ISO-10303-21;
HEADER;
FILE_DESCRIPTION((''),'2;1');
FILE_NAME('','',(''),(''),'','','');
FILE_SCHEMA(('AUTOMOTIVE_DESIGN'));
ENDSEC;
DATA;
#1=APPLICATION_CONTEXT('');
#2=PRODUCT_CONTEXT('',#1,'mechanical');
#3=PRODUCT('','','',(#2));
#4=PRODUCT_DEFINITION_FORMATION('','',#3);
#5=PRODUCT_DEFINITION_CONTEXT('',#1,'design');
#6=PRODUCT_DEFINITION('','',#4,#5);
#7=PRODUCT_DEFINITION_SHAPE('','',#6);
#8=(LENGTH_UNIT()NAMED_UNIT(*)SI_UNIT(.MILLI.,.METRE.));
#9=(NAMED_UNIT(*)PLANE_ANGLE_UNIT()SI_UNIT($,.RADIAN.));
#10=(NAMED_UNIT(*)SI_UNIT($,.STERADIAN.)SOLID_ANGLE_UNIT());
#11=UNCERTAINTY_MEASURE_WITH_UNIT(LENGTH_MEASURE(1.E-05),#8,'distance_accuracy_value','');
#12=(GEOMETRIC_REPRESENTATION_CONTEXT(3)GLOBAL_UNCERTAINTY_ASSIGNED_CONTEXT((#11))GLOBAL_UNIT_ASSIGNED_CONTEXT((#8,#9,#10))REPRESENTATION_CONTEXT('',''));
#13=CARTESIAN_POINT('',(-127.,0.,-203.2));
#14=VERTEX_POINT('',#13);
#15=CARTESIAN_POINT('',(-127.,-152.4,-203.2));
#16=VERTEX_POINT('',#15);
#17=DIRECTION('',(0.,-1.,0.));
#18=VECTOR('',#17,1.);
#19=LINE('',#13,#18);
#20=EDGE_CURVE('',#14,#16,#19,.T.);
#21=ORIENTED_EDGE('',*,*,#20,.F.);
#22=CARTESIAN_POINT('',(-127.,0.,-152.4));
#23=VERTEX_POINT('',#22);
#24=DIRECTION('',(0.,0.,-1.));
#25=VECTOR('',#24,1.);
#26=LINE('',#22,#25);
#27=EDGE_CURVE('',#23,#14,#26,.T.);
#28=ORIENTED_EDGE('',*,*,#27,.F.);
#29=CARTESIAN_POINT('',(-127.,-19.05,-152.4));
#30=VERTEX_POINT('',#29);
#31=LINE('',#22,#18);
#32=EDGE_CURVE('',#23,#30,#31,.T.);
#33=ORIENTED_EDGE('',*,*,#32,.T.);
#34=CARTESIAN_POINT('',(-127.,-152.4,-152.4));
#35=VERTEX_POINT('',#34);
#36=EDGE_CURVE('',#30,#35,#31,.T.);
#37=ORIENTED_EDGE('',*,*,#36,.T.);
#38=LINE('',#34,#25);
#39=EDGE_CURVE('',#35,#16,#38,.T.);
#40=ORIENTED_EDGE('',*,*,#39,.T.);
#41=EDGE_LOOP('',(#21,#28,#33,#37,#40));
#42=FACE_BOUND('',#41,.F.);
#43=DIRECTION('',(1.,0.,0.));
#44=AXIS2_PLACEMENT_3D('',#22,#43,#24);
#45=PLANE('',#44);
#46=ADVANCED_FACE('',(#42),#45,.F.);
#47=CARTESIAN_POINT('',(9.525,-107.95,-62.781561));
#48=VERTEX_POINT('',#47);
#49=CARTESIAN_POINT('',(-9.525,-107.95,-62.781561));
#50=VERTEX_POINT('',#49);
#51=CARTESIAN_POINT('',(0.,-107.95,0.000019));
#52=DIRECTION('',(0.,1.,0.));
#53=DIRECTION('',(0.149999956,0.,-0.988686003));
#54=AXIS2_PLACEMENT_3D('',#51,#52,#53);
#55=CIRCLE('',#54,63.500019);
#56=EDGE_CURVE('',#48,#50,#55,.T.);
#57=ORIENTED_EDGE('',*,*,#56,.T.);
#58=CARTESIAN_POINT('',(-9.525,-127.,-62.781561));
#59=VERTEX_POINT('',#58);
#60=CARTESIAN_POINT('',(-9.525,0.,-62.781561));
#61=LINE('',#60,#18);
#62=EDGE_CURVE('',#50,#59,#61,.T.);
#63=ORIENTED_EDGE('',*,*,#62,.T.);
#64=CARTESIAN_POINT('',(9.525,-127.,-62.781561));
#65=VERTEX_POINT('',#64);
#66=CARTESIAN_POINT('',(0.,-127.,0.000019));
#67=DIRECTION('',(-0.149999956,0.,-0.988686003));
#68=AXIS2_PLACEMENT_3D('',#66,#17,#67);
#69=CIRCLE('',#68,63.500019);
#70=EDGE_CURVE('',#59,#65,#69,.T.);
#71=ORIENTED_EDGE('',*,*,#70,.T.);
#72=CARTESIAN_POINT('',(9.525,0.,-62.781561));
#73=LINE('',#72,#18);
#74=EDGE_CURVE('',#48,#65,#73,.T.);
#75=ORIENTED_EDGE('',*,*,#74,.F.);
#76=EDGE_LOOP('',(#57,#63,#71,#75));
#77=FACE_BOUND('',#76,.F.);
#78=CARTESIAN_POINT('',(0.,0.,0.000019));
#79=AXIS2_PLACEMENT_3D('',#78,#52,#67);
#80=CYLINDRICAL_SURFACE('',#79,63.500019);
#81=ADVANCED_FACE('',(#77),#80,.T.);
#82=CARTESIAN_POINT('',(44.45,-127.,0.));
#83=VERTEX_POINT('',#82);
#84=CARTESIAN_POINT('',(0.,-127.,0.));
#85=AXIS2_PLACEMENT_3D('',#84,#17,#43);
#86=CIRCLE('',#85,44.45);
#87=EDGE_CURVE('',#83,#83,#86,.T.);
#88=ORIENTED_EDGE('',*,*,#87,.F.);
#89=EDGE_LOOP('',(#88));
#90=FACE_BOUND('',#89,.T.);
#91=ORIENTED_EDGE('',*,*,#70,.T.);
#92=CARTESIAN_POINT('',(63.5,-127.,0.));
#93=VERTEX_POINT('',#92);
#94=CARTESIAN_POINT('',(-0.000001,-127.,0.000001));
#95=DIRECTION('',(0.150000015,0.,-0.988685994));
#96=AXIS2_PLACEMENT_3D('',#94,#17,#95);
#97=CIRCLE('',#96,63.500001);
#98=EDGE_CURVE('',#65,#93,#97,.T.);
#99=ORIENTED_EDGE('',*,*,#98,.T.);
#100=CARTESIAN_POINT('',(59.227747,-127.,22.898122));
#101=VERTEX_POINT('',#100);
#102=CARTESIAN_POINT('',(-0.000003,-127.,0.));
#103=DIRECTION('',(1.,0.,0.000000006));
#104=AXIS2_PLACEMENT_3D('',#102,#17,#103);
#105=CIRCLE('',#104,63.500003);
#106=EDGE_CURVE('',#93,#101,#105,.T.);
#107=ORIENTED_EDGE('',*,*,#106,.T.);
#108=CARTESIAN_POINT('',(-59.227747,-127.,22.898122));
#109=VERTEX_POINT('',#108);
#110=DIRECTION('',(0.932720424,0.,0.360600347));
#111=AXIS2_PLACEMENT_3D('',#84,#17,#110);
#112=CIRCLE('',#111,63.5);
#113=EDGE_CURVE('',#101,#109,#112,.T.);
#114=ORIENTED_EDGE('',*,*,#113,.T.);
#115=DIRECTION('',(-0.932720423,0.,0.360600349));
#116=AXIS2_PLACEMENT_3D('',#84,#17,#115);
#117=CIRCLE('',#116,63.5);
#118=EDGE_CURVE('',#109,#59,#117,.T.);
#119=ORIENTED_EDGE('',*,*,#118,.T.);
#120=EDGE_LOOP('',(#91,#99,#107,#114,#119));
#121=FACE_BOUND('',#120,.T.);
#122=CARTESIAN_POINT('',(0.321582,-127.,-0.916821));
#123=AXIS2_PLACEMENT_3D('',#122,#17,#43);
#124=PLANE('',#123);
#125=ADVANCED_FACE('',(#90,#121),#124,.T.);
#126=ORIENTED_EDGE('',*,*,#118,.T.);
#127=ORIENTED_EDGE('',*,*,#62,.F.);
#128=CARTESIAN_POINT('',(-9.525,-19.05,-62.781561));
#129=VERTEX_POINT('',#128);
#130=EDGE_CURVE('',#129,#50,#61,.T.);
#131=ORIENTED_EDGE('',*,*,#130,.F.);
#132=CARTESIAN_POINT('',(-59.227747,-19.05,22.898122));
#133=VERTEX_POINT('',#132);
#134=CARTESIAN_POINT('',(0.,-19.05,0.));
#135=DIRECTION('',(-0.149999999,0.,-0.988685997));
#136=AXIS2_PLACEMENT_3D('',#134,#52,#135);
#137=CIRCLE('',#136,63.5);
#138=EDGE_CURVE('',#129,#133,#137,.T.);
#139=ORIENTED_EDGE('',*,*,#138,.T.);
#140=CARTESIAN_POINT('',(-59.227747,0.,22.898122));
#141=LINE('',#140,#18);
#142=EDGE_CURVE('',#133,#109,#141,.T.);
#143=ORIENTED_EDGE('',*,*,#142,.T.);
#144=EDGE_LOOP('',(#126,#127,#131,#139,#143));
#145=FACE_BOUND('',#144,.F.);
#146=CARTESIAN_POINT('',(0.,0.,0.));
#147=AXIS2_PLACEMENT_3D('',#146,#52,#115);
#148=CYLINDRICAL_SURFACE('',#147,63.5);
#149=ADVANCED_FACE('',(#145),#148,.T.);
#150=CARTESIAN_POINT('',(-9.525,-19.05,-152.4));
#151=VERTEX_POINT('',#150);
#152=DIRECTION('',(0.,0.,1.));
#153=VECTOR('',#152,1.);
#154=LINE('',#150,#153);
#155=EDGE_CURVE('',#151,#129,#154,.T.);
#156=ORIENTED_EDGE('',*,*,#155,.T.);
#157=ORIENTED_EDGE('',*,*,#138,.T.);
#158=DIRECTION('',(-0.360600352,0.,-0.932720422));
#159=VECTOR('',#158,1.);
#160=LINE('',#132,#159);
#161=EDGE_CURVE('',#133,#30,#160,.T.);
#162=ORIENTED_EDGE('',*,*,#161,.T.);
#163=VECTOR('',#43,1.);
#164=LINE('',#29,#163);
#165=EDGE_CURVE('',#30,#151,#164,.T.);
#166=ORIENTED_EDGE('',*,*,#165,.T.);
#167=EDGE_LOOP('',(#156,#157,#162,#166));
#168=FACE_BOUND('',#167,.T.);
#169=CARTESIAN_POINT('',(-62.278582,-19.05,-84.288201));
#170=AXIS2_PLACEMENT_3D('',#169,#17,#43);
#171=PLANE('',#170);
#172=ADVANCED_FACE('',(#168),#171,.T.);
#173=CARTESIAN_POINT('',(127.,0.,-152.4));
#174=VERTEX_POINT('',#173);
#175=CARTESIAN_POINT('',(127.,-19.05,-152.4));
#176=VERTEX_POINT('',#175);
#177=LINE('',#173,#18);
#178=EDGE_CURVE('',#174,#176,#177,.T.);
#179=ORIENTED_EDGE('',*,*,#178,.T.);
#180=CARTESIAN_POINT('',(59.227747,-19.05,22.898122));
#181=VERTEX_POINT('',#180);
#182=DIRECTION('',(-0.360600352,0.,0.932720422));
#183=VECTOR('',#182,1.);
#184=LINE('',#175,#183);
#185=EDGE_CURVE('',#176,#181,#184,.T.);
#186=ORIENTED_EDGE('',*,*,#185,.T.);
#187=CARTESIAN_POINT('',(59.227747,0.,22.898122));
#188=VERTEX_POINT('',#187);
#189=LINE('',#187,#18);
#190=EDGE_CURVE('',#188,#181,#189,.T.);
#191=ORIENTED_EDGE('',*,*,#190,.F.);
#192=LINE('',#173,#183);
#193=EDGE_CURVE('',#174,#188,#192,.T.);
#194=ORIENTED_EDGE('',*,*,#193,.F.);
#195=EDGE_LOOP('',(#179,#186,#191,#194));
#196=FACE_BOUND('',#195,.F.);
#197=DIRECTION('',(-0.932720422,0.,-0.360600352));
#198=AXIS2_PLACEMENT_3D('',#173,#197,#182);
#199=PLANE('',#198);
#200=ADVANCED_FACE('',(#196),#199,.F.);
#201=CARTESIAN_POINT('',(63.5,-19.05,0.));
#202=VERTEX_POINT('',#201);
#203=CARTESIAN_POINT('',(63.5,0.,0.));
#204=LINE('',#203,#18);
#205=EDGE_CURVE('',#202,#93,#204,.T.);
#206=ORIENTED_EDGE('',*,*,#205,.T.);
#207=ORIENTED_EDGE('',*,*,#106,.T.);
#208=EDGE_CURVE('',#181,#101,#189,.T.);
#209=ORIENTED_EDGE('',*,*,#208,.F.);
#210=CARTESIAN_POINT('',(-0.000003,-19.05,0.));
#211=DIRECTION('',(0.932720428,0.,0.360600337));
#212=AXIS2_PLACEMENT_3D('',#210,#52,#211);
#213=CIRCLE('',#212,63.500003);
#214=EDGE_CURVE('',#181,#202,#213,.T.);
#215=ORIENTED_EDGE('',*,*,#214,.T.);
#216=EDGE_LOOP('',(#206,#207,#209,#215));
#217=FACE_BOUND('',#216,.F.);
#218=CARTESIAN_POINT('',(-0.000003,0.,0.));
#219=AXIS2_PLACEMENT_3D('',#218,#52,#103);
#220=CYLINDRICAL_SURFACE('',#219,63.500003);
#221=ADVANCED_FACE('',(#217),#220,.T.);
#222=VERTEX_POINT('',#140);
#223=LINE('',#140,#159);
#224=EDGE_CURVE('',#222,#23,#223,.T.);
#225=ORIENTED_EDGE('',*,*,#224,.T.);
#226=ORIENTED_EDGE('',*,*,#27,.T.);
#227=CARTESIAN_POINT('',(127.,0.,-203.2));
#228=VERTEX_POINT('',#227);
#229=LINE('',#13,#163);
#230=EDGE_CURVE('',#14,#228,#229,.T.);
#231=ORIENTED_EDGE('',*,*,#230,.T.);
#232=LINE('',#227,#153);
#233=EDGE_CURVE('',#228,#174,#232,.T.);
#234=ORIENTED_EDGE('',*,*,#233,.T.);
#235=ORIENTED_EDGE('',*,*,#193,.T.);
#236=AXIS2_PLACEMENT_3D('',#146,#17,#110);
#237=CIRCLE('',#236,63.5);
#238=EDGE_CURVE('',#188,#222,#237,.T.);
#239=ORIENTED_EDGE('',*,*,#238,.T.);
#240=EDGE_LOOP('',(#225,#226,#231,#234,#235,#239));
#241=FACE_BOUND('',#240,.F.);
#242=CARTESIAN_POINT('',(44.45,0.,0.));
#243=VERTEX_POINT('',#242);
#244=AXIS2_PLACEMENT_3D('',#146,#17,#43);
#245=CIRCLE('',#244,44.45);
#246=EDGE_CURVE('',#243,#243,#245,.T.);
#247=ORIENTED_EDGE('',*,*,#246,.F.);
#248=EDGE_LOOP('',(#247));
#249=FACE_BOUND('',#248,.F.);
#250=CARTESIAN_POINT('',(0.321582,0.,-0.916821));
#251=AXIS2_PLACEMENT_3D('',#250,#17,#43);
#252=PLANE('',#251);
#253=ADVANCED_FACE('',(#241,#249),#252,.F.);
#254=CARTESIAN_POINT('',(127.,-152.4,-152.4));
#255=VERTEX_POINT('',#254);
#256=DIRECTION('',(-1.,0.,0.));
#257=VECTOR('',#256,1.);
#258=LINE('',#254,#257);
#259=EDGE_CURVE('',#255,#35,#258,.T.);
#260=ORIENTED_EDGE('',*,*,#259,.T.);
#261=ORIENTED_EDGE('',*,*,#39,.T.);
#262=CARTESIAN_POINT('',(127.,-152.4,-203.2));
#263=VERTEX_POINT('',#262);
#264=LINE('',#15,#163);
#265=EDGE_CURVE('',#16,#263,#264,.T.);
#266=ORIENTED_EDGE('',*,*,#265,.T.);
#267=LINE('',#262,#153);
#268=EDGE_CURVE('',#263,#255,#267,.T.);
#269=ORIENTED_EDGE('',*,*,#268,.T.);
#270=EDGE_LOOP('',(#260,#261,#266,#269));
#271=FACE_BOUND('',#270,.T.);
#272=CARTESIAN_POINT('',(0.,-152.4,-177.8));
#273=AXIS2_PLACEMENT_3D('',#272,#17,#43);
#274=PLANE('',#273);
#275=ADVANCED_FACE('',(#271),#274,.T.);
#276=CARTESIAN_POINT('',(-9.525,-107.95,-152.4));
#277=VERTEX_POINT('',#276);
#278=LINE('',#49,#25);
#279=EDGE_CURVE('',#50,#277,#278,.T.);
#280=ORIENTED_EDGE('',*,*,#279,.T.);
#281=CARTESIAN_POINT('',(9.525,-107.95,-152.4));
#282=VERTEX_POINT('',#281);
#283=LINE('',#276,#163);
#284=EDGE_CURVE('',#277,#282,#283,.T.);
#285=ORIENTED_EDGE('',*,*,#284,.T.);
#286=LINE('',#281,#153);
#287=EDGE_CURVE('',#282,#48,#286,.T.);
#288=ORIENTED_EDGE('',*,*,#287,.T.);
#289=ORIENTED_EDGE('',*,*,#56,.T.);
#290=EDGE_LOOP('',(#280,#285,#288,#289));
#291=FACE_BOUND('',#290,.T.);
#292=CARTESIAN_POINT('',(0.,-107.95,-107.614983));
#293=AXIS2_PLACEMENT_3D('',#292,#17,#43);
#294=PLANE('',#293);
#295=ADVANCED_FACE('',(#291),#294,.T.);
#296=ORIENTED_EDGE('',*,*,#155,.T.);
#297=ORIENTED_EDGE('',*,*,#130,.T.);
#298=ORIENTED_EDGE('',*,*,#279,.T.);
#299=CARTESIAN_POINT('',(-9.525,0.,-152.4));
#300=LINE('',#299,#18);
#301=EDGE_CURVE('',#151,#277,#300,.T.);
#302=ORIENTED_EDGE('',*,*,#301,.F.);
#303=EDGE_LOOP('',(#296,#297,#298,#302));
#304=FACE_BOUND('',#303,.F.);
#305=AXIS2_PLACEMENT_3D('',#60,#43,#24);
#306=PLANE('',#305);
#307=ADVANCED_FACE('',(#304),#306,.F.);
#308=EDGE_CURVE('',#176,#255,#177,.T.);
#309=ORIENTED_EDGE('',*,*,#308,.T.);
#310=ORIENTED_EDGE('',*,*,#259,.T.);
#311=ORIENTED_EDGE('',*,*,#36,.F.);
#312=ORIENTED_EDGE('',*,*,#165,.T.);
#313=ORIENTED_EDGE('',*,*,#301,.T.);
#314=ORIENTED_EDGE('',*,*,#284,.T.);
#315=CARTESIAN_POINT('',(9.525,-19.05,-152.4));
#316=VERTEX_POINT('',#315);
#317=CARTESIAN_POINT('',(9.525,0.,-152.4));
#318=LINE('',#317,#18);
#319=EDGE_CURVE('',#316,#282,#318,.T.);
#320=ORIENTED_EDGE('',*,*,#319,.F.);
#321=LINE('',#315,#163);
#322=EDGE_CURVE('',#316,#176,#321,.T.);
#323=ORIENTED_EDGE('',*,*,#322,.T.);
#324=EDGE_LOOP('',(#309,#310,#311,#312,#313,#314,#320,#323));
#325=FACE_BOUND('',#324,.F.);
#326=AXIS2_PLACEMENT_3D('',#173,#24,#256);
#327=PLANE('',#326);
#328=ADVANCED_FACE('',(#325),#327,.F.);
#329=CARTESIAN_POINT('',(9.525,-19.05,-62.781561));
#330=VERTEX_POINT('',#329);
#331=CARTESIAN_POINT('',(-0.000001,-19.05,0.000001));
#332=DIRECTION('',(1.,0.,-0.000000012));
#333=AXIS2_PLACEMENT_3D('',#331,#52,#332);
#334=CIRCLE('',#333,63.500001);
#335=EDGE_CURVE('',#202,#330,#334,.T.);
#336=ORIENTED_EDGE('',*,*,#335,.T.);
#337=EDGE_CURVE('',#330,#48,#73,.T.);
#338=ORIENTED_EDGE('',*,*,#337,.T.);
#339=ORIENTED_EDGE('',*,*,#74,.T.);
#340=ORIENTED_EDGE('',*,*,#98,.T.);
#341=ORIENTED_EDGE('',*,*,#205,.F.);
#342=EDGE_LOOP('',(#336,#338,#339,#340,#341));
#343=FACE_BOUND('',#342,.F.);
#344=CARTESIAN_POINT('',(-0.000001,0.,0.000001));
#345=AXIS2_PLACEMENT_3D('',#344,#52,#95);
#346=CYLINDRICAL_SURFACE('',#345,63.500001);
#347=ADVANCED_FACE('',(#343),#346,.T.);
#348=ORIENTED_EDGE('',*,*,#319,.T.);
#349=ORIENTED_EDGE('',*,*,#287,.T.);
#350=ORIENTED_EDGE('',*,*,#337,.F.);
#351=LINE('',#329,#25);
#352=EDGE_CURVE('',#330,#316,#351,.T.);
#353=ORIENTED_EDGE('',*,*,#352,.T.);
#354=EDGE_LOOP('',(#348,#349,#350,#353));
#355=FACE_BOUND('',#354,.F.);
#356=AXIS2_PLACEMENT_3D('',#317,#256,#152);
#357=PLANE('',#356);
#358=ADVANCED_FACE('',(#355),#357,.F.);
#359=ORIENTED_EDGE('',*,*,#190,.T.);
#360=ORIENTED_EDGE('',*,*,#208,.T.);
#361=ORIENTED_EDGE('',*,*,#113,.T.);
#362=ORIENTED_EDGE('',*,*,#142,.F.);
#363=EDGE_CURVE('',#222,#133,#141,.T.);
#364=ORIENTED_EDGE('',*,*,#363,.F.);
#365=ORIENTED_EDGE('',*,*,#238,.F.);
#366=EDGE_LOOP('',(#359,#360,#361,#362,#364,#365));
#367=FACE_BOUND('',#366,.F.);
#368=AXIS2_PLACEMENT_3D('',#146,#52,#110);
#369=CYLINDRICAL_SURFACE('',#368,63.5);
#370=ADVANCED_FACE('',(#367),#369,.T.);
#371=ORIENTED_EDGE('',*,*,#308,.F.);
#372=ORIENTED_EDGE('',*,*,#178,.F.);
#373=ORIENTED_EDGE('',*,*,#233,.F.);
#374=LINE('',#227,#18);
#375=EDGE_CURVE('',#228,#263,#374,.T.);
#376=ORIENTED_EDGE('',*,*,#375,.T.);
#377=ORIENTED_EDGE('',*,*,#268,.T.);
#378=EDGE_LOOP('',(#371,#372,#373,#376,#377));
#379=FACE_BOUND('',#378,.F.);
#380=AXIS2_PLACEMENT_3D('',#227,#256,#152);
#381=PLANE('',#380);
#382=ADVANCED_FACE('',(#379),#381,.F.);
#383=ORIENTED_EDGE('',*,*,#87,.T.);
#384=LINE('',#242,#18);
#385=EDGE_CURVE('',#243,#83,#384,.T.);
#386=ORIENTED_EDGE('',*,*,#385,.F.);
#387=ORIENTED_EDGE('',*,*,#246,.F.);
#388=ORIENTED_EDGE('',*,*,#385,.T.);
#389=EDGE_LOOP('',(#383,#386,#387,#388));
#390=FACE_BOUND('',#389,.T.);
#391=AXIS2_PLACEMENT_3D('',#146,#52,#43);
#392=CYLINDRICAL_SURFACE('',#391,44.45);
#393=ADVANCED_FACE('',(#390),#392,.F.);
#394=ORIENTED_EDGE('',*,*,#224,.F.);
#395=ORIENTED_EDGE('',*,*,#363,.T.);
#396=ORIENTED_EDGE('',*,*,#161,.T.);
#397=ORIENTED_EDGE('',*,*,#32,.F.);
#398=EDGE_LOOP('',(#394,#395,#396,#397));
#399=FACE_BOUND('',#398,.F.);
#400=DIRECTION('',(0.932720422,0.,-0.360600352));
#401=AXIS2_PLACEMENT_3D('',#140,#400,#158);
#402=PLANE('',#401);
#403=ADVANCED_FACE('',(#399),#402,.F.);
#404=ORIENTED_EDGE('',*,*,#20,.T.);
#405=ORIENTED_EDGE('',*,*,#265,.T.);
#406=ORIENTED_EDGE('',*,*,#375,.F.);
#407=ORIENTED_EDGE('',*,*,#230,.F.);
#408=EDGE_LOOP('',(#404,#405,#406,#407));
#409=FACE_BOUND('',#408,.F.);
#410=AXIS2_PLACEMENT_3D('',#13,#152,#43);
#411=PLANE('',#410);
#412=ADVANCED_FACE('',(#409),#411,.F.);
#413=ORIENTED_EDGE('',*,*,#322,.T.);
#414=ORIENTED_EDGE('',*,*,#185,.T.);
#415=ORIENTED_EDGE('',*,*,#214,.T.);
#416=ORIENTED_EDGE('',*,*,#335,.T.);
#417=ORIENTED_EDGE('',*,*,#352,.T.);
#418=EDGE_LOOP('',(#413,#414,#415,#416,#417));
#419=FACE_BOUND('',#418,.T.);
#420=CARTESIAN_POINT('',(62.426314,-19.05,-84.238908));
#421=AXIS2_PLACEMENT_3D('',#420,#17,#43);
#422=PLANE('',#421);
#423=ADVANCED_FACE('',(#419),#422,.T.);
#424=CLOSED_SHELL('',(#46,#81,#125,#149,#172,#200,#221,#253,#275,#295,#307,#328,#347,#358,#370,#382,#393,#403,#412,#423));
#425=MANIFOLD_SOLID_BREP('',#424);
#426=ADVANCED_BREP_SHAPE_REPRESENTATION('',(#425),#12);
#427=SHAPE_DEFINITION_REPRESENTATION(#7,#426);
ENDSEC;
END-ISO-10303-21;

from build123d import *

# Parameters (mm, degrees)
F1_DEPTH = 152.4
F2_DEPTH = 19.05
F0_R     = 44.45
F3_DEPTH = 127
F4_DEPTH = 107.95


with BuildPart() as f1:
    # F0 (on Front) → F1 (new body)
    with BuildSketch(Plane.XZ):
        Polygon((127, -203.2), (127, -152.4), (9.525, -152.4), (-9.525, -152.4), (-127, -152.4), (-127, -203.2), align=None)
    extrude(amount=F1_DEPTH)

    # F0 (on Front) → F2 (join)
    with BuildSketch(Plane.XZ):
        with BuildLine():
            ThreePointArc((59.227747, 22.898122), (62.4228, 11.646632), (63.5, 0))
            ThreePointArc((63.5, 0), (48.151259, -41.396935), (9.525, -62.781561))
            Line((9.525, -62.781561), (9.525, -152.4))
            Line((9.525, -152.4), (127, -152.4))
            Line((127, -152.4), (59.227747, 22.898122))
        make_face()
        with BuildLine():
            ThreePointArc((-9.525, -62.781561), (-54.927107, -31.863191), (-59.227747, 22.898122))
            Line((-59.227747, 22.898122), (-127, -152.4))
            Line((-127, -152.4), (-9.525, -152.4))
            Line((-9.525, -152.4), (-9.525, -62.781561))
        make_face()
    extrude(amount=F2_DEPTH)

    # F0 (on Front) → F3 (join)
    with BuildSketch(Plane.XZ):
        with BuildLine():
            ThreePointArc((9.525, -62.781561), (48.151259, -41.396935), (63.5, 0))
            ThreePointArc((63.5, 0), (62.4228, 11.646632), (59.227747, 22.898122))
            ThreePointArc((59.227747, 22.898122), (0, 63.5), (-59.227747, 22.898122))
            ThreePointArc((-59.227747, 22.898122), (-54.927107, -31.863191), (-9.525, -62.781561))
            ThreePointArc((-9.525, -62.781561), (0, -63.5), (9.525, -62.781561))
        make_face()
        Circle(F0_R, mode=Mode.SUBTRACT)
    extrude(amount=F3_DEPTH)

    # F0 (on Front) → F4 (join)
    with BuildSketch(Plane.XZ):
        with BuildLine():
            Line((9.525, -152.4), (9.525, -62.781561))
            ThreePointArc((9.525, -62.781561), (0, -63.5), (-9.525, -62.781561))
            Line((-9.525, -62.781561), (-9.525, -152.4))
            Line((-9.525, -152.4), (9.525, -152.4))
        make_face()
    extrude(amount=F4_DEPTH)


solid = f1.part
